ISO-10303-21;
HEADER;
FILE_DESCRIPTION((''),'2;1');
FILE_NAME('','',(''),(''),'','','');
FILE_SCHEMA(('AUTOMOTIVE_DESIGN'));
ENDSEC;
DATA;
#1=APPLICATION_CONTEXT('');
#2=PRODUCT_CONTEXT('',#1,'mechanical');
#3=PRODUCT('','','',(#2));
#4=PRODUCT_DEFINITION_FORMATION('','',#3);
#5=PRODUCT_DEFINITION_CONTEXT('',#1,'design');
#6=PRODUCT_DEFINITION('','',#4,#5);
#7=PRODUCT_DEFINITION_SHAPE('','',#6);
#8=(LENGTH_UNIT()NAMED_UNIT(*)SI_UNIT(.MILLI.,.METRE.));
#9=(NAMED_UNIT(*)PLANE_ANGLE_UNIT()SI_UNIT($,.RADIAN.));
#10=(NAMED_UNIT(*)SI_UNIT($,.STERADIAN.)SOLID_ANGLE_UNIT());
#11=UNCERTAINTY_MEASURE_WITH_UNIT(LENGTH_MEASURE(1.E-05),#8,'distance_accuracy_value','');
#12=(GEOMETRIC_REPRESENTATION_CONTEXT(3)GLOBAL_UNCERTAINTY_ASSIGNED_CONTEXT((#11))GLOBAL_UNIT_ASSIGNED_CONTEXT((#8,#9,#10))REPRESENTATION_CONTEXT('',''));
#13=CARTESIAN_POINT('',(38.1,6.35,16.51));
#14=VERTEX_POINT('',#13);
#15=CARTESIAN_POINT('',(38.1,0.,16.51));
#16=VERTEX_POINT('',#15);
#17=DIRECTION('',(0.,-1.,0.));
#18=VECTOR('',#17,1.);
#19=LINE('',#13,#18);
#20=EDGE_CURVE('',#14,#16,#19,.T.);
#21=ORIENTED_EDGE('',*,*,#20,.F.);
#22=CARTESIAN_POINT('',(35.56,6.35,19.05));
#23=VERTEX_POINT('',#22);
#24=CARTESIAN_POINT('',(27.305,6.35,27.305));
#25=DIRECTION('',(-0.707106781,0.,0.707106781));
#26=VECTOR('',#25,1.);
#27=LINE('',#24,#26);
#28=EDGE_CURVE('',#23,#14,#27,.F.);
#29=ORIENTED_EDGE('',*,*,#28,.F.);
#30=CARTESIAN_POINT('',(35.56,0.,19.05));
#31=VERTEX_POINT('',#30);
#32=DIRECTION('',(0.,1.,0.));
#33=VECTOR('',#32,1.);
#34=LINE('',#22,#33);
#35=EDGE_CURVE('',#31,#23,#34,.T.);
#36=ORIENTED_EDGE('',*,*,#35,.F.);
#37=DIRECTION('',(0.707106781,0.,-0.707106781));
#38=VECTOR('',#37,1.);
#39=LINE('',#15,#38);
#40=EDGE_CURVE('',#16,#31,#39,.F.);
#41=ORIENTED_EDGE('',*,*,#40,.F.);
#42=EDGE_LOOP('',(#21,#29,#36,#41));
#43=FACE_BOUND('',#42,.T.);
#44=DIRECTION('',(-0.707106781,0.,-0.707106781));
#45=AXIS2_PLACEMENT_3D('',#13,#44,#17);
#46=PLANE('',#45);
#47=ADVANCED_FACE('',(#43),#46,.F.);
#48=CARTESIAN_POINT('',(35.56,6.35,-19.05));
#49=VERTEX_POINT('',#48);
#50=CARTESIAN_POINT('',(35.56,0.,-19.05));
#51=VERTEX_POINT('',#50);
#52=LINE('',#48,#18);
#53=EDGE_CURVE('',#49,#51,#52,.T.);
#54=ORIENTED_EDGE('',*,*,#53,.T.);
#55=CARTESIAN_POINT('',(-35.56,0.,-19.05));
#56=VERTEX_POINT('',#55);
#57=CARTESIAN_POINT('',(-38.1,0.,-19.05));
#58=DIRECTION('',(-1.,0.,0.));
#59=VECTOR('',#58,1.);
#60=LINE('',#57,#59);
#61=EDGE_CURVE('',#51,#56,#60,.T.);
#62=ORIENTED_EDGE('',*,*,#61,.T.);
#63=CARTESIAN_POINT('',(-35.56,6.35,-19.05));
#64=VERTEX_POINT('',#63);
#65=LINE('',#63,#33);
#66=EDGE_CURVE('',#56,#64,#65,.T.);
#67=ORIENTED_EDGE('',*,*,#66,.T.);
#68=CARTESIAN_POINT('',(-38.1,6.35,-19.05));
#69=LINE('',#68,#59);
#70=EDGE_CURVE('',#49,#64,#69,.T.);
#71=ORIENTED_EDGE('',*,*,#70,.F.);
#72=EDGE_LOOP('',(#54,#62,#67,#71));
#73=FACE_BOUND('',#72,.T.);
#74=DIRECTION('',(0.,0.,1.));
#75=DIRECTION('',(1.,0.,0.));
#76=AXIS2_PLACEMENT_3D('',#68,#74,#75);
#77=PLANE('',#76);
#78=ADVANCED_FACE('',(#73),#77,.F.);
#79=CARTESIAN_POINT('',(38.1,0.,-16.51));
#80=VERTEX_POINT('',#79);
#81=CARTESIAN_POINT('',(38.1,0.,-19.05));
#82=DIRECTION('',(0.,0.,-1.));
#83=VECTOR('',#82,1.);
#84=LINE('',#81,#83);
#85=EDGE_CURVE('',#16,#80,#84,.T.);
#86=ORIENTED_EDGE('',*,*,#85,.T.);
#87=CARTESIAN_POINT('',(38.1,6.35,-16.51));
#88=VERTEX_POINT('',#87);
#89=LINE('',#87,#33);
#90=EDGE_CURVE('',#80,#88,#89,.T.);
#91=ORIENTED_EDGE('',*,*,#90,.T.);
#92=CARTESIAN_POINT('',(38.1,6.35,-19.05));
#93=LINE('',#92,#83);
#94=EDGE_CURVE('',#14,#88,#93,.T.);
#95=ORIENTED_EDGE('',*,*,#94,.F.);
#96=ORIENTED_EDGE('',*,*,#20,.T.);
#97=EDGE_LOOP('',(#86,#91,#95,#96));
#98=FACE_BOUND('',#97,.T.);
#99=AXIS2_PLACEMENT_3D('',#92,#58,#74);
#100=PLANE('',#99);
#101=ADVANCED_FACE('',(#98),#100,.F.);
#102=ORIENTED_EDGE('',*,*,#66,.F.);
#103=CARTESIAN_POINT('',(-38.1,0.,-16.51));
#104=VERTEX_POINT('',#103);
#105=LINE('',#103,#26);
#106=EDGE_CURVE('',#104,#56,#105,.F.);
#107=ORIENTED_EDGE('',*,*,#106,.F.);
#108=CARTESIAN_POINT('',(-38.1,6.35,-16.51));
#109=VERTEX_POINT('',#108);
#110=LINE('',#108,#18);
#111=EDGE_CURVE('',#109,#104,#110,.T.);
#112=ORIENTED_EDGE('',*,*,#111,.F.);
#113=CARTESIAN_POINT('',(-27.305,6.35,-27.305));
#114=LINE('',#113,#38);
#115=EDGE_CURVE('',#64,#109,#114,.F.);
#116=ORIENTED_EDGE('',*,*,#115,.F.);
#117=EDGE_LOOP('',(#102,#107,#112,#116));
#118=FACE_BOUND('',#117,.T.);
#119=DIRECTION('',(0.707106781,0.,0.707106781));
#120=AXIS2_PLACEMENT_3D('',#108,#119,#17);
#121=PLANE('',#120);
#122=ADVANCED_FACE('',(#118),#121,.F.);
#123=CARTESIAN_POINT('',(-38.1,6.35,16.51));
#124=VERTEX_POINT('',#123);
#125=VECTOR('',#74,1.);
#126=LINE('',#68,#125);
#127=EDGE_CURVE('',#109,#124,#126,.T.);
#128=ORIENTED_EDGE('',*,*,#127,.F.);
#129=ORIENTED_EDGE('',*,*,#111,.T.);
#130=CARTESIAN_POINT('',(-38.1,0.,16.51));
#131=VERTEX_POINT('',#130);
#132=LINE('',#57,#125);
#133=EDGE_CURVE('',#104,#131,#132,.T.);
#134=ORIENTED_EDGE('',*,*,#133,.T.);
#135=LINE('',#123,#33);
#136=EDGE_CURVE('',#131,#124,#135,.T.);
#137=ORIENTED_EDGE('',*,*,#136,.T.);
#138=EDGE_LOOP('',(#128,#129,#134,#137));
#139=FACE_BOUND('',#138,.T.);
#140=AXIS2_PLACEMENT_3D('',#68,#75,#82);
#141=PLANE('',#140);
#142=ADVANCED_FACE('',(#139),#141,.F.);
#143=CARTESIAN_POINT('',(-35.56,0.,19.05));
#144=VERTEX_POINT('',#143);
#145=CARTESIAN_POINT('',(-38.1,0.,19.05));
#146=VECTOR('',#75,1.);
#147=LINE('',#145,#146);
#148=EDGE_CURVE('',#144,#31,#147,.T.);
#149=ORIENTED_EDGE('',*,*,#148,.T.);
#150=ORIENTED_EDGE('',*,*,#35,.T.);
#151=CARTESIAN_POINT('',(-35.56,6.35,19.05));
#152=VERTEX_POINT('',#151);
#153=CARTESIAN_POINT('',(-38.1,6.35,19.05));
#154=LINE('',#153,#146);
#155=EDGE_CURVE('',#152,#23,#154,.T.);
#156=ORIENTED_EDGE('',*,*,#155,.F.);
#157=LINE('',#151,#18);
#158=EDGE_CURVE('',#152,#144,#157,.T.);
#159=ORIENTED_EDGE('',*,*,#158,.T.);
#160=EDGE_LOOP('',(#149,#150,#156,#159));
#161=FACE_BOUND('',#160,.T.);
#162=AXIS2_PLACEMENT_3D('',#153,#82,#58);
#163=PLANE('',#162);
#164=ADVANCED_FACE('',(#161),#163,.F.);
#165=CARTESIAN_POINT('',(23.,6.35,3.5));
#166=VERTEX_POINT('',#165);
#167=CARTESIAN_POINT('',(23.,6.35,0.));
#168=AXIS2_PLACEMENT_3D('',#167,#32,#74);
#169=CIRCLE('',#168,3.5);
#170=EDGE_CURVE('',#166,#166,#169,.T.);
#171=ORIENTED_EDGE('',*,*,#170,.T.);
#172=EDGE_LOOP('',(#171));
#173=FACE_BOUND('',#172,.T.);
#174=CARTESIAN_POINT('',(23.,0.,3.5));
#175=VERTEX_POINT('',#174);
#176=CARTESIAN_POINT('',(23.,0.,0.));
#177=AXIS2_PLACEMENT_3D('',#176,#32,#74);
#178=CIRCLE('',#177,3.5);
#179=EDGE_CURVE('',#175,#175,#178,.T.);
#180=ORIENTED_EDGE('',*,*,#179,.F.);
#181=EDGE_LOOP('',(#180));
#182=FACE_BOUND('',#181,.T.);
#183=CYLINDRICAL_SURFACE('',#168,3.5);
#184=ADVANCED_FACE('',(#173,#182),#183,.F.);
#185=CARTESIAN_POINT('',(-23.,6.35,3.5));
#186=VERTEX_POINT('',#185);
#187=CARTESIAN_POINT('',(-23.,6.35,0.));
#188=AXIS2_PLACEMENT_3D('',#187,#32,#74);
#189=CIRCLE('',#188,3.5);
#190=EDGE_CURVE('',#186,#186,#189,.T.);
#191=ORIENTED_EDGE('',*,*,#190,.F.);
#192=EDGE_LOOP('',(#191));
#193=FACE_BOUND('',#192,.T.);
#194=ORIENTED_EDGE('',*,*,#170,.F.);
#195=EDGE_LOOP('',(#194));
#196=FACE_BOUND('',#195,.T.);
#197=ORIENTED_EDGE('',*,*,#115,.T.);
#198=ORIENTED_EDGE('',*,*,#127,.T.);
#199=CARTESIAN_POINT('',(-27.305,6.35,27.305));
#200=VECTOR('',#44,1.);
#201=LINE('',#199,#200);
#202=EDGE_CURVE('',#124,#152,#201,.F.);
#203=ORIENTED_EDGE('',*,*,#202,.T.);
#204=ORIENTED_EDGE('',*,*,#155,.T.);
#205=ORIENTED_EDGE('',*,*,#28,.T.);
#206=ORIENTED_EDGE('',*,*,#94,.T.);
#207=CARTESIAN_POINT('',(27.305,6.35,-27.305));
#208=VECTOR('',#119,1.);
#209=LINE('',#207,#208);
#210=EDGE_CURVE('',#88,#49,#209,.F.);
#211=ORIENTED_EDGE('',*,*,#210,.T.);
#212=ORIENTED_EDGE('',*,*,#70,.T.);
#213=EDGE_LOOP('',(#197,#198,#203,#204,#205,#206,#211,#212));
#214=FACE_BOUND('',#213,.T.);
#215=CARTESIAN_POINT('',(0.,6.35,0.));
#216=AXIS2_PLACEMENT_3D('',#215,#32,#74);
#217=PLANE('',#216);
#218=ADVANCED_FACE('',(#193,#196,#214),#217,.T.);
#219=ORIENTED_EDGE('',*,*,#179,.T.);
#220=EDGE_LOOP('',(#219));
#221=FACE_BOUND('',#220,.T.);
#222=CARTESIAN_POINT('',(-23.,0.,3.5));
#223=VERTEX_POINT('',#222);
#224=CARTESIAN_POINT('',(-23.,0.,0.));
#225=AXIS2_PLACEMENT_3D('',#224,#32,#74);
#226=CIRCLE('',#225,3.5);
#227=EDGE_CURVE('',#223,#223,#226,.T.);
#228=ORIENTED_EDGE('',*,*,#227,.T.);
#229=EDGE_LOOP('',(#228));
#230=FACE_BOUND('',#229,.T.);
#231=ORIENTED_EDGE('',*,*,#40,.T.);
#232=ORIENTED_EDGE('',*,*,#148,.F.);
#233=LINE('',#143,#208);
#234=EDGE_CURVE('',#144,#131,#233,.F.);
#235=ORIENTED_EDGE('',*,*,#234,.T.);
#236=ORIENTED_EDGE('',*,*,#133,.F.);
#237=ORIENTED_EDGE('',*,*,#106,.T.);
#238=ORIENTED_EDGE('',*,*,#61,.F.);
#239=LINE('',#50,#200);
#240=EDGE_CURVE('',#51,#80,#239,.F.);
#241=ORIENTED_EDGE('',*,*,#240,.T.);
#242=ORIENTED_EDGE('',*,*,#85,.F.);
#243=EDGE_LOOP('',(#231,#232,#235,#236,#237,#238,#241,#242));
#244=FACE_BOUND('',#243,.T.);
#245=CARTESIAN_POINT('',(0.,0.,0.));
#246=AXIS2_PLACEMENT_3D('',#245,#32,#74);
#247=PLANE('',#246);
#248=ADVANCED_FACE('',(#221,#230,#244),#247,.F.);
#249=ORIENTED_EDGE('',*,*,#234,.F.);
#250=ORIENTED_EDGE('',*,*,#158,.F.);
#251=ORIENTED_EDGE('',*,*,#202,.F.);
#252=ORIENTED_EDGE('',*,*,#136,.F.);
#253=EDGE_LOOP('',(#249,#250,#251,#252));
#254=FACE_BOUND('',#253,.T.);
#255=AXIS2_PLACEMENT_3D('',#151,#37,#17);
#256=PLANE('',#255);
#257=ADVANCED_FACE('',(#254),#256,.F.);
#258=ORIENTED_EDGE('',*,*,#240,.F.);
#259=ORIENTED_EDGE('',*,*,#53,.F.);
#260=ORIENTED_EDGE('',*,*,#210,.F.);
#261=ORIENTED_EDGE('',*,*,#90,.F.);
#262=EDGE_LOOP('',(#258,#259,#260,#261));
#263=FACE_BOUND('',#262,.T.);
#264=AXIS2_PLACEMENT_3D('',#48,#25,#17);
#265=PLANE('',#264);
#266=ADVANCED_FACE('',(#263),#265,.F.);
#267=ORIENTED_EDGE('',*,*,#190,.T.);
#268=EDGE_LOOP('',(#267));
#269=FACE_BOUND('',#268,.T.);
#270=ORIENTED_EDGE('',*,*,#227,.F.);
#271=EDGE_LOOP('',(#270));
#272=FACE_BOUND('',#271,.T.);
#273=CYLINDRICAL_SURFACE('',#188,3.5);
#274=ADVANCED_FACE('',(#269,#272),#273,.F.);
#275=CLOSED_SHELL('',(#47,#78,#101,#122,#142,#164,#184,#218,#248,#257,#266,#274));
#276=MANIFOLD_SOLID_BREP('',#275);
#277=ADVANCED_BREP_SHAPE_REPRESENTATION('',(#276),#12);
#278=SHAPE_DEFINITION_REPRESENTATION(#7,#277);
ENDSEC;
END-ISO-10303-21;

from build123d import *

# Parameters (mm, degrees)
SKETCH1_W            = 76.2
SKETCH1_H            = 38.1
BOSS_EXTRUDE1_DEPTH  = 6.35
M6_CLEARANCE_HOLE1_D = 7
CHAMFER1_SIZE        = 2.54


with BuildPart() as part:
    # Sketch1 → Boss-Extrude1 (new body)
    with BuildSketch(Plane(origin=(0, 0, 0), x_dir=(1, 0, 0), z_dir=(0, 1, 0))):
        Rectangle(SKETCH1_W, SKETCH1_H)
    extrude(amount=BOSS_EXTRUDE1_DEPTH)

    # M6 Clearance Hole1 (through all)
    with Locations(Plane(origin=(0, 6.35, 0), x_dir=(1, 0, 0), z_dir=(0, 1, 0))):
        with Locations((-22.999999974, 0), (22.999999974, 0)):
            Hole(M6_CLEARANCE_HOLE1_D / 2)

    # Chamfer1
    chamfer1_edges = [part.edges().sort_by_distance(p)[0] for p in [
        (38.1, 3.175, 19.05),
        (-38.1, 3.175, 19.05),
        (-38.1, 3.175, -19.05),
        (38.1, 3.175, -19.05),
    ]]
    chamfer(chamfer1_edges, length=CHAMFER1_SIZE)


solid = part.part
